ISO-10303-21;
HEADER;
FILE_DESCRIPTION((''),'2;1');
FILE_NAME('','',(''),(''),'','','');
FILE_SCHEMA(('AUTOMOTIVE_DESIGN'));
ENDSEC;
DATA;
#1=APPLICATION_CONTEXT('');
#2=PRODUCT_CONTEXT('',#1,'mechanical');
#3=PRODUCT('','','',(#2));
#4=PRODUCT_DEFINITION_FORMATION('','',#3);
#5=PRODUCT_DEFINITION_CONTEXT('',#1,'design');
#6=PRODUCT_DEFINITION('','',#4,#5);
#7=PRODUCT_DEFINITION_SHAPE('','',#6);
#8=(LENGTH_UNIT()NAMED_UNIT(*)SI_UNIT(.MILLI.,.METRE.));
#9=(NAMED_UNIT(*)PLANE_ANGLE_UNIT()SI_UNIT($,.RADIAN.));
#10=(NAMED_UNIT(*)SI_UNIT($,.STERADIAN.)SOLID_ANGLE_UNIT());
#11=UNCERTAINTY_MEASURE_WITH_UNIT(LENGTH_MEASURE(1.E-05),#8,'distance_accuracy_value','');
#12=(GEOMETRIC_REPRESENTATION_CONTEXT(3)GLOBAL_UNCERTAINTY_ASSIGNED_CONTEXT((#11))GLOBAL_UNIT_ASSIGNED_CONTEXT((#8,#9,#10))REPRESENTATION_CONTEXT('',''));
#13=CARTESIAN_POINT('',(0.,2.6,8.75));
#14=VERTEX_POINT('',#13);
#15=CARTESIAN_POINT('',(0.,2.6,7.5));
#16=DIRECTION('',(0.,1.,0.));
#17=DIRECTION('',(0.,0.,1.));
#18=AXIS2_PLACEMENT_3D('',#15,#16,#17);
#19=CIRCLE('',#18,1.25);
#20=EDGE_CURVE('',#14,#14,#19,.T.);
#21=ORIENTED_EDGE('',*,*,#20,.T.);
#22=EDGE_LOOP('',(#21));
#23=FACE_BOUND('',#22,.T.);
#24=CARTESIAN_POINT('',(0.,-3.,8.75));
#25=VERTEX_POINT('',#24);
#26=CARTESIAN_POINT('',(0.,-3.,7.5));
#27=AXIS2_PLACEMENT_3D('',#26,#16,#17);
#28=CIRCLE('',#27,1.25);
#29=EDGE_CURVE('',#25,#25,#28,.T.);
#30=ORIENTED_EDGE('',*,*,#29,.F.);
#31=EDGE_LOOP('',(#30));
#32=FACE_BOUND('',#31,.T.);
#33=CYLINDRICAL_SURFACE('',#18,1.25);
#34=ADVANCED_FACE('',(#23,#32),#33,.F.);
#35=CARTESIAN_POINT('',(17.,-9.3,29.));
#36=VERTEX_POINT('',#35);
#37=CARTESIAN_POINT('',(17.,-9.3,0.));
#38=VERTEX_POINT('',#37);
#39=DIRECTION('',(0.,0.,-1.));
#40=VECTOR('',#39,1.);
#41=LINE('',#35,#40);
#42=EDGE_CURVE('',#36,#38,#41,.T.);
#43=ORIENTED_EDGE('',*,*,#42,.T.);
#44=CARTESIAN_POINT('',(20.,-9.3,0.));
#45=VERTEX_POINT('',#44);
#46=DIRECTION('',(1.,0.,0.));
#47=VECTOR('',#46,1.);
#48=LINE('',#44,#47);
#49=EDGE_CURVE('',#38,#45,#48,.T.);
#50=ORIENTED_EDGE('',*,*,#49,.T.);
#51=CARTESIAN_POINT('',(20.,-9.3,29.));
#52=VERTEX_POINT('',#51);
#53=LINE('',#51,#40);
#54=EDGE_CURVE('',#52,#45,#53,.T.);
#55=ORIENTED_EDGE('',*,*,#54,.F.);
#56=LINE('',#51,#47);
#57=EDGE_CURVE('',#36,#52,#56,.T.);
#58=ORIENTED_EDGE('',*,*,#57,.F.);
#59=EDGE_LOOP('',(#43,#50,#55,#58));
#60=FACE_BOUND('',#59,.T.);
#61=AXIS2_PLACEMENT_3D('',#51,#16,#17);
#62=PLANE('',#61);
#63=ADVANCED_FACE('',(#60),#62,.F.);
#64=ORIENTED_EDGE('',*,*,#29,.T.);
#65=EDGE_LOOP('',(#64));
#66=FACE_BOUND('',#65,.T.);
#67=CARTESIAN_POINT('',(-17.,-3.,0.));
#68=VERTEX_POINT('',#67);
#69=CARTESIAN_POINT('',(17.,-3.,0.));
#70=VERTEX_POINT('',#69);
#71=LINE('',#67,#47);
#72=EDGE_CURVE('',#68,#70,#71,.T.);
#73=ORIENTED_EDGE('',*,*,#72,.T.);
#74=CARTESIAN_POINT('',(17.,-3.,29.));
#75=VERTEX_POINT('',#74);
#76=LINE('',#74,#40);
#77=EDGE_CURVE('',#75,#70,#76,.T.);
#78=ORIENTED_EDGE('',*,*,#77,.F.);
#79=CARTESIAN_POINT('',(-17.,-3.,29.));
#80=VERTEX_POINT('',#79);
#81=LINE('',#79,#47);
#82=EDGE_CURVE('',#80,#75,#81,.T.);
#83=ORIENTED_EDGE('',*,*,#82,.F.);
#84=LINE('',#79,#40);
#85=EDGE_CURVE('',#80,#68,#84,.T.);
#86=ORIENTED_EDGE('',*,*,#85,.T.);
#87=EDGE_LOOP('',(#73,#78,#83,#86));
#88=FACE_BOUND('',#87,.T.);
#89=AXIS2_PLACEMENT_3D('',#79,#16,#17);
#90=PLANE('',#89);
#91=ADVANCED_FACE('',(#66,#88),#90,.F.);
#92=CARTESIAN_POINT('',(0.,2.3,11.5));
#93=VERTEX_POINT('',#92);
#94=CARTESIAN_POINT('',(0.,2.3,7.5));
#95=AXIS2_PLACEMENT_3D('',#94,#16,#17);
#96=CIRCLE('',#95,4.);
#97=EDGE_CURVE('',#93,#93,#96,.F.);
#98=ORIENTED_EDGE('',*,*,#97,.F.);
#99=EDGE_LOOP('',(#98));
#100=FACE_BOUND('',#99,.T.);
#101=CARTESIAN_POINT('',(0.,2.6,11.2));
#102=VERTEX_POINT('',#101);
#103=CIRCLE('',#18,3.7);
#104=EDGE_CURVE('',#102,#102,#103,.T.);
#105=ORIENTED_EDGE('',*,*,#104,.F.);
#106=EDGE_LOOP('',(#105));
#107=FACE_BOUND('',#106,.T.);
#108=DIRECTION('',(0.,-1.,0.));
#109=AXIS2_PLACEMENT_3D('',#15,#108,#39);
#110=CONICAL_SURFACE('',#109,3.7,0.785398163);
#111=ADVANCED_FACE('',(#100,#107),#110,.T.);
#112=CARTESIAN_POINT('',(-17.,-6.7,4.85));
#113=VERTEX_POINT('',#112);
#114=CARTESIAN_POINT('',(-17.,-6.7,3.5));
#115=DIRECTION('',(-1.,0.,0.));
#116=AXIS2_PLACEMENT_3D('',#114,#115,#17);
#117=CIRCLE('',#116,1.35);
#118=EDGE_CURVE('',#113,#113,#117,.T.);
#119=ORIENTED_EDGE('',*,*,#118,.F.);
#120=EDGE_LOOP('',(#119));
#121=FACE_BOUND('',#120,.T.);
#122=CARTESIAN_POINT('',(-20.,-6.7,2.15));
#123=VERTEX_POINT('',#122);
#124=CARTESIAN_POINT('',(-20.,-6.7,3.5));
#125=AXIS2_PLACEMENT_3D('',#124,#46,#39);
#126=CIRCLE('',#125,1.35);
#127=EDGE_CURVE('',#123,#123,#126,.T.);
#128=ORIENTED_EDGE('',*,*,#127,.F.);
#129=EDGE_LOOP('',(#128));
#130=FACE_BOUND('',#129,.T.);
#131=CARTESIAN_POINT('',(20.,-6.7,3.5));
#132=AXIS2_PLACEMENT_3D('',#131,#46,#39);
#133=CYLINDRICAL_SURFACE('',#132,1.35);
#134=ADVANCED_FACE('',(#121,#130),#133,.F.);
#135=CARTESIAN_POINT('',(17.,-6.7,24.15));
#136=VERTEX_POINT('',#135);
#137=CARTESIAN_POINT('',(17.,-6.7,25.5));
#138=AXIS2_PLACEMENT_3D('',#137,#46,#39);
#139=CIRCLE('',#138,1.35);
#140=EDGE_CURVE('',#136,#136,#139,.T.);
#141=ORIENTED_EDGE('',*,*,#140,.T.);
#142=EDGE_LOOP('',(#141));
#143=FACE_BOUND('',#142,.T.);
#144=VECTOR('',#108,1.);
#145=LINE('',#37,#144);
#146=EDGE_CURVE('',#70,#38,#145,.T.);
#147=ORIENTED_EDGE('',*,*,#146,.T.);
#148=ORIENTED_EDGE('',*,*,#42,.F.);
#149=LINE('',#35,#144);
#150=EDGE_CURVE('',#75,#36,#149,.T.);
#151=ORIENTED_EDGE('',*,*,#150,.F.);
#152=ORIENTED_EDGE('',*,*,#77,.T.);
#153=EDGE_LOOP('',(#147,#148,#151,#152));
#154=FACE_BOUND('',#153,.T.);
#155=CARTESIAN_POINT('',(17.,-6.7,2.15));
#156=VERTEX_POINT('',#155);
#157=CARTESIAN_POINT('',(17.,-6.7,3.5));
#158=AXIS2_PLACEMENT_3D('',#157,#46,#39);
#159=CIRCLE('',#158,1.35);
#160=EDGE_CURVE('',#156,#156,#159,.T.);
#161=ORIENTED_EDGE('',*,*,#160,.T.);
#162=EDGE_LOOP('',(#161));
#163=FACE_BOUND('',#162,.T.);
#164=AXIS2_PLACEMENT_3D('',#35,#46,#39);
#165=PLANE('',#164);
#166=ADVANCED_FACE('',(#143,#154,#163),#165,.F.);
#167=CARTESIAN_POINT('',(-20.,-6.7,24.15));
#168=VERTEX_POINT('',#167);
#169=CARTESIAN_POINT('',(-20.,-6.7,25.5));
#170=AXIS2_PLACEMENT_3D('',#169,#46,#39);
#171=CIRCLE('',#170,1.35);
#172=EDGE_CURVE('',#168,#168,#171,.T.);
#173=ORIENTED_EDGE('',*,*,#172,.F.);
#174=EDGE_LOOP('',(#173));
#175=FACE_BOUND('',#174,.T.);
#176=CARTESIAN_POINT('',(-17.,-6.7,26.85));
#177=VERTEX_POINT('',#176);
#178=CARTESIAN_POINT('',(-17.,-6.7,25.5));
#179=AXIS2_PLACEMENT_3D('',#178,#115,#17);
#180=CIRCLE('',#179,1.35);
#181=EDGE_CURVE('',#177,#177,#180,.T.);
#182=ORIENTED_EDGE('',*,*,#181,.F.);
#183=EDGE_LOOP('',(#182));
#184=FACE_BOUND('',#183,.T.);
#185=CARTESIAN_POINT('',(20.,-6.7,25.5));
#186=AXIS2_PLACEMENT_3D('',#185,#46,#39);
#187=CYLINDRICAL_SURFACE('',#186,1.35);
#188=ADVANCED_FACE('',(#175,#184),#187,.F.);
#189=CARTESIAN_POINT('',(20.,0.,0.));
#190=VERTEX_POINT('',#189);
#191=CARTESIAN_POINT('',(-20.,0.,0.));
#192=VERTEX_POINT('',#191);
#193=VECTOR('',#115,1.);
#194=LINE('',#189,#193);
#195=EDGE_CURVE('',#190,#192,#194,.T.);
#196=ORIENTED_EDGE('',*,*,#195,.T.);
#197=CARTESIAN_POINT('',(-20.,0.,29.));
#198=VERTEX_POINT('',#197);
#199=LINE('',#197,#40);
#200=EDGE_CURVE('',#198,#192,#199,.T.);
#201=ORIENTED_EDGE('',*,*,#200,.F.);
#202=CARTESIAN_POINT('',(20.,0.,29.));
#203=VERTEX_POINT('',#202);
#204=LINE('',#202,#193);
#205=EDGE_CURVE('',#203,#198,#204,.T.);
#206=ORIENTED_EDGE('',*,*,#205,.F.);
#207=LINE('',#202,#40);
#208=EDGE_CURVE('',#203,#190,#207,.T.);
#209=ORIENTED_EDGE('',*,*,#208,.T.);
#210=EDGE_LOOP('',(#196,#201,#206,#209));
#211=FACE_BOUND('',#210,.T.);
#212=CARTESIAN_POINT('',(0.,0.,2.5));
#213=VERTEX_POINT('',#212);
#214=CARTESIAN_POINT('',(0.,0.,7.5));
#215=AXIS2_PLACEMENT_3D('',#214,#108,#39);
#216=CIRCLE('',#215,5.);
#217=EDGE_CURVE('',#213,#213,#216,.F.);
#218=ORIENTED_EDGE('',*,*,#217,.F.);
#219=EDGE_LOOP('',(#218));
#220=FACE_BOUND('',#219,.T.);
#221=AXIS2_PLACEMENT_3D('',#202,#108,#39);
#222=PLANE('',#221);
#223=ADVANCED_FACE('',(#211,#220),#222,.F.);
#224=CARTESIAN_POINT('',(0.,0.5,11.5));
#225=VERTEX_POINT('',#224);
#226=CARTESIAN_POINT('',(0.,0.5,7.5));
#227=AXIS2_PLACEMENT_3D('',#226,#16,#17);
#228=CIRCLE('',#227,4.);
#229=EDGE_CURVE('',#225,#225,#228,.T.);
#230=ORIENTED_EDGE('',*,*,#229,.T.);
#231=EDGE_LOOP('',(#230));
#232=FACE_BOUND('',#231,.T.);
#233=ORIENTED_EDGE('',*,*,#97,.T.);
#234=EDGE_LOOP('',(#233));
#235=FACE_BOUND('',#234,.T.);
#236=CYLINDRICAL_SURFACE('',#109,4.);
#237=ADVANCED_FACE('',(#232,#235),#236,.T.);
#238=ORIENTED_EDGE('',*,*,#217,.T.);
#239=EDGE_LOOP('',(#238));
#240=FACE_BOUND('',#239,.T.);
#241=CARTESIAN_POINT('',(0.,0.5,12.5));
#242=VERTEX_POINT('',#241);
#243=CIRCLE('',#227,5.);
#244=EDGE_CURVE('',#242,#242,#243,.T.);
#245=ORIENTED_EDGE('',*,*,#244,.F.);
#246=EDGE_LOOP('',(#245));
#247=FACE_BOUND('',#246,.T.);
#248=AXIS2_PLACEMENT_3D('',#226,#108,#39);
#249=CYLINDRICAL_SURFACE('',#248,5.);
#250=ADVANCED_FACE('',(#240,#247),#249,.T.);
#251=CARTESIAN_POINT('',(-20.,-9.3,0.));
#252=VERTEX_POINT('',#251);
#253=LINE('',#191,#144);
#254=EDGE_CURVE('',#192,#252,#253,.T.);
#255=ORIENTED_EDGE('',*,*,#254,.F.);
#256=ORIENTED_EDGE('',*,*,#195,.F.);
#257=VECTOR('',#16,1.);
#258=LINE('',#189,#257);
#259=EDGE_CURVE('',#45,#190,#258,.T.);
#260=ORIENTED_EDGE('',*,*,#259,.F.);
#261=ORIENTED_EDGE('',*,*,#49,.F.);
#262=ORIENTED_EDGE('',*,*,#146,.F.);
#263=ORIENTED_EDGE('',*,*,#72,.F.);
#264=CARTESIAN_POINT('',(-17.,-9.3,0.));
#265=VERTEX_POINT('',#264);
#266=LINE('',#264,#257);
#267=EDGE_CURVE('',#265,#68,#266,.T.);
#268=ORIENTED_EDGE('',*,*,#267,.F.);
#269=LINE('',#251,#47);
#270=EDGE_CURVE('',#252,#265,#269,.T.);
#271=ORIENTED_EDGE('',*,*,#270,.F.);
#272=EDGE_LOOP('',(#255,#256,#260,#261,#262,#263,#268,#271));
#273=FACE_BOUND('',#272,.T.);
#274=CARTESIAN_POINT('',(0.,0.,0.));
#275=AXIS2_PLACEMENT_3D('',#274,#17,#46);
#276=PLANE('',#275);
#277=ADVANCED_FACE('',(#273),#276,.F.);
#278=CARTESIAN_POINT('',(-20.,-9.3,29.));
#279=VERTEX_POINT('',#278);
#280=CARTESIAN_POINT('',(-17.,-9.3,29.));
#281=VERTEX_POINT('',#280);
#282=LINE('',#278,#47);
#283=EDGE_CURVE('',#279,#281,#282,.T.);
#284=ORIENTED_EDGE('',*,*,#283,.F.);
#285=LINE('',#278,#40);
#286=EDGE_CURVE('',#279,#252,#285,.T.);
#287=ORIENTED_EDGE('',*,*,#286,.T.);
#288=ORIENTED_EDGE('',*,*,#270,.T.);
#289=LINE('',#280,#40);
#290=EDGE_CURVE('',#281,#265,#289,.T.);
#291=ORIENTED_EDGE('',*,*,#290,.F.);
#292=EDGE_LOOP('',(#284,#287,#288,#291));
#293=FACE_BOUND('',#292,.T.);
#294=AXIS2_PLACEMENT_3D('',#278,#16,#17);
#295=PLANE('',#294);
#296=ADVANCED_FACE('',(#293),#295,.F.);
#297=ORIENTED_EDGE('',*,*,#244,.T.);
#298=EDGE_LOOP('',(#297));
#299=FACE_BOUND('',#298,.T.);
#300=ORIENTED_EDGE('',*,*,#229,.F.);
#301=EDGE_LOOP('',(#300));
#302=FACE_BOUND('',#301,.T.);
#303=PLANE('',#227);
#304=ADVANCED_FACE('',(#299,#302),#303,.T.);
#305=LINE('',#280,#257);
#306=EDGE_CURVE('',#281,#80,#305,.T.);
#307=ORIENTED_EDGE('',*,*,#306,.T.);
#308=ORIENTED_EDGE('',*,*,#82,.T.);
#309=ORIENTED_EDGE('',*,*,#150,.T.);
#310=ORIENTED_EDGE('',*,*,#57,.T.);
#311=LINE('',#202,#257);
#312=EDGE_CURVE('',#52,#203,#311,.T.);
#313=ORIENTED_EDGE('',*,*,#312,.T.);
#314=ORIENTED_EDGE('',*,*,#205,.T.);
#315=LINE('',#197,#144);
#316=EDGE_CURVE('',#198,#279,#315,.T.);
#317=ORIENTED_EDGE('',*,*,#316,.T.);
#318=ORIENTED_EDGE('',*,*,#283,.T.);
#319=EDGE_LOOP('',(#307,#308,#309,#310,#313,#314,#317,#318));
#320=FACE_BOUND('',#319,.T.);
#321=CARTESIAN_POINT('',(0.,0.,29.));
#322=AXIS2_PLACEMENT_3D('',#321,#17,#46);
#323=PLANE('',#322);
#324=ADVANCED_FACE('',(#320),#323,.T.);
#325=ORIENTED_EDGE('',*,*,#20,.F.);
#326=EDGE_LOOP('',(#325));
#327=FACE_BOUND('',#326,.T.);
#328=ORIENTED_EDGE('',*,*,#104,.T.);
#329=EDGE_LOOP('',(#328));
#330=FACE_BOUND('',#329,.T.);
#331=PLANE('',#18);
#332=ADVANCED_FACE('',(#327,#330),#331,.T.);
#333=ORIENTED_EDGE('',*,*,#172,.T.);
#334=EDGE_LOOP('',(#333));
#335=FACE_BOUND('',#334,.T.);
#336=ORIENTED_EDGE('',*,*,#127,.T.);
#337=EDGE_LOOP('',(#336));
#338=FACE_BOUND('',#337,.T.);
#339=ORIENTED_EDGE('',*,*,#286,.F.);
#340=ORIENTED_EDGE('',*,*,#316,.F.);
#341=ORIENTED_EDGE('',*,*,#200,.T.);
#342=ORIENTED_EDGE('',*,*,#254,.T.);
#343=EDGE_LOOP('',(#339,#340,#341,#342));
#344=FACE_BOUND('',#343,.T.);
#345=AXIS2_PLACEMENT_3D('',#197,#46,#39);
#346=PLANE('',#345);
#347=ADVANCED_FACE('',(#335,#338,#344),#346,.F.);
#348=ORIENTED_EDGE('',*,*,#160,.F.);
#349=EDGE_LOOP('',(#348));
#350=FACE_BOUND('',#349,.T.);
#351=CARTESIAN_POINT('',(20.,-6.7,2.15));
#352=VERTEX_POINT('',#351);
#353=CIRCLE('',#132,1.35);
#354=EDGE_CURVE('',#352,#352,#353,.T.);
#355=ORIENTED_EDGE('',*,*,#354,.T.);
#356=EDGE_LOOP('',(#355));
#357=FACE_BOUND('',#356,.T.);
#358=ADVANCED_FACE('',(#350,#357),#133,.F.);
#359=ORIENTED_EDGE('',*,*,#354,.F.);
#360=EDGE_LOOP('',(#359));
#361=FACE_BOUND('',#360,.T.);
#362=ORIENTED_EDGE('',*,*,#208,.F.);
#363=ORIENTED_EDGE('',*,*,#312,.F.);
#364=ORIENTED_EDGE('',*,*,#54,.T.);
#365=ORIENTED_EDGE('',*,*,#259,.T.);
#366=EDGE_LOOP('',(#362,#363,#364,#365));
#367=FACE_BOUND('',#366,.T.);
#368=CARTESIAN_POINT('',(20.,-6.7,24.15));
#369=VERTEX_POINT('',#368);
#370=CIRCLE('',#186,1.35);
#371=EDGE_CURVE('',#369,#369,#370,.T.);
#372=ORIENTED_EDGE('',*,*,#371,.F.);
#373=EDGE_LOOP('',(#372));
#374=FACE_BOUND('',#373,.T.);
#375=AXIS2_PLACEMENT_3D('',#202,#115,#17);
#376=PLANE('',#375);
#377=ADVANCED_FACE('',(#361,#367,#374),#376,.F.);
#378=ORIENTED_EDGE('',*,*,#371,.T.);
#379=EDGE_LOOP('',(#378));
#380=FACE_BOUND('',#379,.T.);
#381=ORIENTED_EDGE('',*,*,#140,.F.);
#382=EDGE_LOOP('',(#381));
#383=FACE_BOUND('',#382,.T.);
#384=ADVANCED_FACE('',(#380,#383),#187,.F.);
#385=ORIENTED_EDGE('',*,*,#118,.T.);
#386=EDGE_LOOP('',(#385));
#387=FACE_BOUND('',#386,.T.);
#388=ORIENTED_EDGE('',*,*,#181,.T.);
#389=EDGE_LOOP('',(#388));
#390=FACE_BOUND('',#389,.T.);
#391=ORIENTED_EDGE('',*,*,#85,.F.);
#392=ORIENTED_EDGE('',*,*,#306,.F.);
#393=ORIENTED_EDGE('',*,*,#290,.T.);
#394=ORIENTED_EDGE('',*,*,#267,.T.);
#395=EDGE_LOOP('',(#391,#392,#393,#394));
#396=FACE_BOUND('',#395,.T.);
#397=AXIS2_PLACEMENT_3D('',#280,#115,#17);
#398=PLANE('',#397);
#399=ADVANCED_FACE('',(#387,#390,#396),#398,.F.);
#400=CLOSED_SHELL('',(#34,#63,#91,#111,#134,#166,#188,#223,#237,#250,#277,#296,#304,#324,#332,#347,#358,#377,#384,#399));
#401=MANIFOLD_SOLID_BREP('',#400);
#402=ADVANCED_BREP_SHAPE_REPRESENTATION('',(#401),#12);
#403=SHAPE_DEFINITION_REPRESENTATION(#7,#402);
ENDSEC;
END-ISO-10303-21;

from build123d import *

# Parameters (mm, degrees)
EXTRUDE_1_DEPTH         = 29
HOLE_WIZARD_2_7_2_7_1_D = 2.7
SKETCH_4_R              = 4
EXTRUDE_2_DEPTH         = 2.6
SKETCH_5_R              = 5
EXTRUDE_3_DEPTH         = 0.5
HOLE_WIZARD_M3_1_D      = 2.5
CHAMFER_2_SIZE          = 0.3


with BuildPart() as part:
    # 草图1 → 凸台-拉伸1 (new body)
    with BuildSketch(Plane.XY):
        Polygon((20, 0), (-20, 0), (-20, -9.3), (-17, -9.3), (-17, -3), (17, -3), (17, -9.3), (20, -9.3), align=None)
    extrude(amount=EXTRUDE_1_DEPTH)

    # Ø2.7 (2.7) 直径孔1 (through all)
    with Locations(Plane(origin=(20, 0, 0), x_dir=(0, 0, -1), z_dir=(1, 0, 0))):
        with Locations((-25.5, -6.7), (-3.5, -6.7)):
            Hole(HOLE_WIZARD_2_7_2_7_1_D / 2)

    # 草图4 → 凸台-拉伸2 (add)
    with BuildSketch(Plane(origin=(0, 0, 0), x_dir=(1, 0, 0), z_dir=(0, 1, 0))):
        with Locations(Location((0, -7.5, 0), (0, 0, 90))):
            Circle(SKETCH_4_R)
    extrude(amount=EXTRUDE_2_DEPTH)

    # 草图5 → 凸台-拉伸3 (add)
    with BuildSketch(Plane(origin=(0, 0, 0), x_dir=(1, 0, 0), z_dir=(0, 1, 0))):
        with Locations(Location((0, -7.5, 0), (0, 0, 90))):
            Circle(SKETCH_5_R)
    extrude(amount=EXTRUDE_3_DEPTH)

    # M3 螺纹孔的螺纹孔钻头1 (through all)
    with Locations(Plane(origin=(0, 2.6, 0), x_dir=(1, 0, 0), z_dir=(0, 1, 0))):
        with Locations((0, -7.5)):
            Hole(HOLE_WIZARD_M3_1_D / 2)

    # 倒角2
    chamfer_2_edges = [part.edges().sort_by_distance(p)[0] for p in [
        (0, 2.6, 11.5),
    ]]
    chamfer(chamfer_2_edges, length=CHAMFER_2_SIZE)


solid = part.part
